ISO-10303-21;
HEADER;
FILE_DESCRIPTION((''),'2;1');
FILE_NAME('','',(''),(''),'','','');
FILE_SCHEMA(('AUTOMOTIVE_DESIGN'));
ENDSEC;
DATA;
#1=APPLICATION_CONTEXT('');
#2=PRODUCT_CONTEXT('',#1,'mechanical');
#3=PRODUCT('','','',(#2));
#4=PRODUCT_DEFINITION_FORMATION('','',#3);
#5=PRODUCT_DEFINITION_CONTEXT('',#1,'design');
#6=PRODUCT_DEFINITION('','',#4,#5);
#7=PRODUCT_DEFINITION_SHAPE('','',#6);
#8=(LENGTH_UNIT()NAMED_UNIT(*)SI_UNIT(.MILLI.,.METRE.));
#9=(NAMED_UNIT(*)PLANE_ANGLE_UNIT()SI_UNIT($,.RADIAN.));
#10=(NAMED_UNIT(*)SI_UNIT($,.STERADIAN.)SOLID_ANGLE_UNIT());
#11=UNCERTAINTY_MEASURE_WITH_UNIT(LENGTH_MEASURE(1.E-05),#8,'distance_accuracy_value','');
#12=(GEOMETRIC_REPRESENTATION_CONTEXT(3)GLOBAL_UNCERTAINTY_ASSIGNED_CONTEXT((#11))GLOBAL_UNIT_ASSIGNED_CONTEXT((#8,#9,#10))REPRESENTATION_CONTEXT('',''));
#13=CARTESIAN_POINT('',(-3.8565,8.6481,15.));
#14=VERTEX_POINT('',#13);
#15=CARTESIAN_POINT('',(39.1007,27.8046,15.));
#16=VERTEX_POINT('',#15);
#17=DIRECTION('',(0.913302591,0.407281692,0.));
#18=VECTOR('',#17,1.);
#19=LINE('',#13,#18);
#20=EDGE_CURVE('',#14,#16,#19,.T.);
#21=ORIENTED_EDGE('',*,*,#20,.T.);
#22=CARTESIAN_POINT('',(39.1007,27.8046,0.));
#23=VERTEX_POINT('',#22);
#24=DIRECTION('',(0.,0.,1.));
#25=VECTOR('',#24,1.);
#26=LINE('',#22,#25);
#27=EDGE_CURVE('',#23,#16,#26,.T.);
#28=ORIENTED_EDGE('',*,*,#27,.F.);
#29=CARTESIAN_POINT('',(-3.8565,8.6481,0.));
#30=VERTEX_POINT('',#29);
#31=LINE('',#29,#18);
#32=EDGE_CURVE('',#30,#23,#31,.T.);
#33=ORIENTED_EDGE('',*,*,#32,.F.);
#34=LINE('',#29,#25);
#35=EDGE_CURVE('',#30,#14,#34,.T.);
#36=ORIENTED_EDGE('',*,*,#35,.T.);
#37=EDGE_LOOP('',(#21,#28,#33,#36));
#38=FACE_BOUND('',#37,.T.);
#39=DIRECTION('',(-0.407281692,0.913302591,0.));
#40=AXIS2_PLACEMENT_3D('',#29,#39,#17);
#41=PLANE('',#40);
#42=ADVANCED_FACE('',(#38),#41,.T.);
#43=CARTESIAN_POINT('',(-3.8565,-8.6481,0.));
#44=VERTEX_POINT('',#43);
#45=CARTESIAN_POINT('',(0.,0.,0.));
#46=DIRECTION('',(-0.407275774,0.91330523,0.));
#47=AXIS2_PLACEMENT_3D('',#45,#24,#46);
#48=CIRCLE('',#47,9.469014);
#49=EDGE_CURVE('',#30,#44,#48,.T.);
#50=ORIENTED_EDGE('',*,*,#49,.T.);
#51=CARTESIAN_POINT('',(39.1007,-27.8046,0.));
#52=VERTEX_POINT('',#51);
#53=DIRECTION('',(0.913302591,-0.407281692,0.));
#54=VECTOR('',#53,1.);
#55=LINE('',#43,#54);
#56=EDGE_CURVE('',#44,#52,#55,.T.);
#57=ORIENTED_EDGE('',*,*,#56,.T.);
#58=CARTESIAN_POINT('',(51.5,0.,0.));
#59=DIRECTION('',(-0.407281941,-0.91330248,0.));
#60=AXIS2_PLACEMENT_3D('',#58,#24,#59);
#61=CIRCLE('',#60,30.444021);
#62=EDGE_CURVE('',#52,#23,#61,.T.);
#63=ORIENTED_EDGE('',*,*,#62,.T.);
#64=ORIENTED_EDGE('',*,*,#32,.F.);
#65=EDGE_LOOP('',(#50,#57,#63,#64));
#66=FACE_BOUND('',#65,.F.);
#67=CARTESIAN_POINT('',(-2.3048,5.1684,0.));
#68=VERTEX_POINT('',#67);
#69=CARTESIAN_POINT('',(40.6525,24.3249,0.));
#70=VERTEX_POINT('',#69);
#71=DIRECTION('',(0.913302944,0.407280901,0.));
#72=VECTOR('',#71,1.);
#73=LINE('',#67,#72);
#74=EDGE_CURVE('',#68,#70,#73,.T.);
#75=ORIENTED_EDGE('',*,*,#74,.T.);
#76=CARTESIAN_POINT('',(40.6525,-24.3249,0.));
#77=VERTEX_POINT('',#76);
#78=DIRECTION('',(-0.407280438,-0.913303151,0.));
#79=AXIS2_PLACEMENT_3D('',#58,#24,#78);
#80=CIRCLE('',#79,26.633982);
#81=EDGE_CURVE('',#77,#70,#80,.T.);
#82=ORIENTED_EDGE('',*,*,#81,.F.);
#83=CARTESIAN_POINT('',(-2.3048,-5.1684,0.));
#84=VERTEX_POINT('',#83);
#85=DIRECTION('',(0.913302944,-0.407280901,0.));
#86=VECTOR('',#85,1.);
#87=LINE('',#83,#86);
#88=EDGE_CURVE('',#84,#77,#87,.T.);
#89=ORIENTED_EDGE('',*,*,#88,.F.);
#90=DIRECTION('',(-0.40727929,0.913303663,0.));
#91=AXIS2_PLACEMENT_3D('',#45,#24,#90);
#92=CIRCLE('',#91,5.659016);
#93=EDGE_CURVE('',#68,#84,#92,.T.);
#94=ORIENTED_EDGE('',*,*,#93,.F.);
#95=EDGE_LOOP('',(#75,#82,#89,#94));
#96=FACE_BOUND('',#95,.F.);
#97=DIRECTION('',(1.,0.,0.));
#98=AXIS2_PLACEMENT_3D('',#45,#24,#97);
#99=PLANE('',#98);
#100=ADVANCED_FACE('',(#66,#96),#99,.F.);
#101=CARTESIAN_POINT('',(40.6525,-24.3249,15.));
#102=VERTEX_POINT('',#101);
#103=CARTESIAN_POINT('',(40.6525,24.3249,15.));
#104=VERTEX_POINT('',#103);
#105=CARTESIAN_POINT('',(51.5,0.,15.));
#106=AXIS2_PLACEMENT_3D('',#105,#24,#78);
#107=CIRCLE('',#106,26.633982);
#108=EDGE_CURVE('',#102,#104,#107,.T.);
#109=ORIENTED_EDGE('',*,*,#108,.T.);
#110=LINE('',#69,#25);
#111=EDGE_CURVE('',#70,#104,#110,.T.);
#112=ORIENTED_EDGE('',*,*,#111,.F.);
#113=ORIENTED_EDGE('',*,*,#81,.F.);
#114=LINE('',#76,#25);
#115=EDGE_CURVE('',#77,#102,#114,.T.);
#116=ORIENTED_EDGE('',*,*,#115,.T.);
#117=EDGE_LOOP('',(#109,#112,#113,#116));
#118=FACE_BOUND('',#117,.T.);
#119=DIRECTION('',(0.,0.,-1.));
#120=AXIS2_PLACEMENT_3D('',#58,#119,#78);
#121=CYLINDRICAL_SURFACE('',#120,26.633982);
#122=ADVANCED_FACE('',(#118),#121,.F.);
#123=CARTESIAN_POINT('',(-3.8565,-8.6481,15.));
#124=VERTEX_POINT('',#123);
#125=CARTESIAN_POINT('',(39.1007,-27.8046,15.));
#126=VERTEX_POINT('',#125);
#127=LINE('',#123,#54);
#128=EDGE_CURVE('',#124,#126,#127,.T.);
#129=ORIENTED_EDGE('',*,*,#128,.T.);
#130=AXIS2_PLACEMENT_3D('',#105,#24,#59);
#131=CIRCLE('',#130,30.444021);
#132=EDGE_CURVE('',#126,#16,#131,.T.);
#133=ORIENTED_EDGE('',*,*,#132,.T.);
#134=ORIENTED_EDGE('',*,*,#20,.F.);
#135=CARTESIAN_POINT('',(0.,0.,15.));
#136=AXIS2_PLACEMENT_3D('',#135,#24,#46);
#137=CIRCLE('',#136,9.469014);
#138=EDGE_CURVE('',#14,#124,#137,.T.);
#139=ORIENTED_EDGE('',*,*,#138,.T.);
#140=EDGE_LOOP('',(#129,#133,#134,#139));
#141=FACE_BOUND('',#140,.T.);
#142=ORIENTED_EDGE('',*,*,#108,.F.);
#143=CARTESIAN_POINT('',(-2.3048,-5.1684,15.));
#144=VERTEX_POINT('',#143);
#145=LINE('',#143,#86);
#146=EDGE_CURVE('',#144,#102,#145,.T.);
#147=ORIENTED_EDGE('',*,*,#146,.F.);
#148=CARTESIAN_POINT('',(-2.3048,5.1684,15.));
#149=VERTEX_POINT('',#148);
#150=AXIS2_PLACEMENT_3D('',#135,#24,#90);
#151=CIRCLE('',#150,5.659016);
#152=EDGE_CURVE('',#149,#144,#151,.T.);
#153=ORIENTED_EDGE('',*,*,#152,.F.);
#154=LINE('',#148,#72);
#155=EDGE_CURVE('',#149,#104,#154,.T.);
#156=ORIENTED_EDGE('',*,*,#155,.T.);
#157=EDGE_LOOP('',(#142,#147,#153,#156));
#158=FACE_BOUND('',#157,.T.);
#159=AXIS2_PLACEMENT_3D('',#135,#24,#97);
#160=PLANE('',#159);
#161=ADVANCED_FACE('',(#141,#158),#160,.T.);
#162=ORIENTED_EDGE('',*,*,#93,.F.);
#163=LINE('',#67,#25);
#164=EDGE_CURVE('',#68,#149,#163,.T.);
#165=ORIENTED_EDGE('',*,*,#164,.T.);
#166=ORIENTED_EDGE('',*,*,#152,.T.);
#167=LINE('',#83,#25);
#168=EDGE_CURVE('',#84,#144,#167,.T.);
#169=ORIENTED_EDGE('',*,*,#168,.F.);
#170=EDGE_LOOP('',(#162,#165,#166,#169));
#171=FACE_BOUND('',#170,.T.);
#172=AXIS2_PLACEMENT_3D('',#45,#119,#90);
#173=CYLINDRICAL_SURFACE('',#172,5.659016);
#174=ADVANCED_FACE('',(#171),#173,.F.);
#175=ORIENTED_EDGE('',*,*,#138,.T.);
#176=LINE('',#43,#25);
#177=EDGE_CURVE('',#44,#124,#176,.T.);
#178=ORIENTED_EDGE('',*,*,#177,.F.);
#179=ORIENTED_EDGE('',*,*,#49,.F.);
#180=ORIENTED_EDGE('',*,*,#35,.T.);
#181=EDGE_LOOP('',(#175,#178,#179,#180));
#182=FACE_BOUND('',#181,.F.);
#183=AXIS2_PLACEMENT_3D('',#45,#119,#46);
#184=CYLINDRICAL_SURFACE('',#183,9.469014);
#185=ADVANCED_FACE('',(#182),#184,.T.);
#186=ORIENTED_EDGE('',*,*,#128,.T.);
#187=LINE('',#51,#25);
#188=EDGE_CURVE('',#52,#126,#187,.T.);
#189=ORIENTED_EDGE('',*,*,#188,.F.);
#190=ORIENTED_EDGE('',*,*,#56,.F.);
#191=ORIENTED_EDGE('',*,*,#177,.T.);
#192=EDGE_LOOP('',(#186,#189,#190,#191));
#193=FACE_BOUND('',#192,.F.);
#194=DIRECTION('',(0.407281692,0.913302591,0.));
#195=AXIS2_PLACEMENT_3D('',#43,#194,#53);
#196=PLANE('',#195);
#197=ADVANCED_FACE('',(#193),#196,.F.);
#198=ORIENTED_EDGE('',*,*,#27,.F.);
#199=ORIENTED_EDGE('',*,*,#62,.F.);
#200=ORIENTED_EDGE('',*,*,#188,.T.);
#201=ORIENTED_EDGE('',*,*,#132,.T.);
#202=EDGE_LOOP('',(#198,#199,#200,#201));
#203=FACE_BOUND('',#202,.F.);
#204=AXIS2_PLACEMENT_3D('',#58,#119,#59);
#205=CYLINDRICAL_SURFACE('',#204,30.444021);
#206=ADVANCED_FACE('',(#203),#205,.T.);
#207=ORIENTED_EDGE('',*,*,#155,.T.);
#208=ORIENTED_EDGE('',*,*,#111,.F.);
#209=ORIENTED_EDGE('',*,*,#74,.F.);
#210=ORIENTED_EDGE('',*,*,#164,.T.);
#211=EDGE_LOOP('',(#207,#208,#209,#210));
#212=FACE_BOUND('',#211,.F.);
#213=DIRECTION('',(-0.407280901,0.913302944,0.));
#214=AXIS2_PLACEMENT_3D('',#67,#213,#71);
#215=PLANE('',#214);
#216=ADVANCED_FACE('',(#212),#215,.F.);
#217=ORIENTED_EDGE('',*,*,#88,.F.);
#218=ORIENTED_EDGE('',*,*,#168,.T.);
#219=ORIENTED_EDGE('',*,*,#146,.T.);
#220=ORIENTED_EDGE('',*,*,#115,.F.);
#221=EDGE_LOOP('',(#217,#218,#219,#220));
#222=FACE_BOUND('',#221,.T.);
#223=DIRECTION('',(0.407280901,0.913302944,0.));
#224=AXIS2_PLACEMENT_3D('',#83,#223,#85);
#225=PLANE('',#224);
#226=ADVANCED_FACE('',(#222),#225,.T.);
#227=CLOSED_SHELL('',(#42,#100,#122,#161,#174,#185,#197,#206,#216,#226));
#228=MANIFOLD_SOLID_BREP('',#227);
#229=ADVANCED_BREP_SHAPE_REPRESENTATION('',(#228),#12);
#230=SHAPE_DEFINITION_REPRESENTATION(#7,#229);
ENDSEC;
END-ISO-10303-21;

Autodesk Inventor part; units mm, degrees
ref_plane "YZ Plane" through (0, 0, 0) normal (1, 0, 0) x (0, 1, 0)
ref_plane "XZ Plane" through (0, 0, 0) normal (0, 1, 0) x (-1, 0, 0)
ref_plane "XY Plane" through (0, 0, 0) normal (0, 0, 1) x (1, 0, 0)
sketch "Sketch1" plane through (0, 0, 0) normal (0, 0, 1) x (1, 0, 0)
  circle A0 centre (0, 0) radius 7.26 construction
  line L0 (0, 0) -> (51.5, 0) construction
  arc A1 (-2.3048, 5.1684) -> (-2.3048, -5.1684) centre (0, 0) ccw
  arc A2 (9.469, 0) -> (4.6289, 8.2604) centre (0, 0) ccw construction
  circle A3 centre (51.5, 0) radius 28.265 construction
  arc A4 (40.6525, -24.3249) -> (40.6525, 24.3249) centre (51.5, 0) ccw
  arc A5 (21.056, 0) -> (27.1842, -18.3188) centre (51.5, 0) ccw construction
  line L1 (-3.8565, 8.6481) -> (39.1007, 27.8046)
  line L2 (-3.8565, -8.6481) -> (39.1007, -27.8046)
  line L3 (-2.3048, 5.1684) -> (40.6525, 24.3249)
  line L4 (-2.3048, -5.1684) -> (40.6525, -24.3249)
  arc A6 (24.866, 0) -> (40.6525, -24.3249) centre (51.5, 0) ccw construction
  arc A7 (40.6525, 24.3249) -> (24.866, 0) centre (51.5, 0) ccw construction
  arc A8 (5.659, 0) -> (-2.3048, 5.1684) centre (0, 0) ccw construction
  arc A9 (-2.3048, -5.1684) -> (5.659, 0) centre (0, 0) ccw construction
  arc A10 (4.6289, -8.2604) -> (9.469, 0) centre (0, 0) ccw construction
  arc A11 (4.6289, 8.2604) -> (-3.8565, 8.6481) centre (0, 0) ccw construction
  arc A12 (27.1842, 18.3188) -> (21.056, 0) centre (51.5, 0) ccw construction
  arc A13 (27.1842, -18.3188) -> (39.1007, -27.8046) centre (51.5, 0) ccw construction
  arc A14 (-3.8565, 8.6481) -> (-3.8565, -8.6481) centre (0, 0) ccw
  arc A15 (-3.8565, -8.6481) -> (4.6289, -8.2604) centre (0, 0) ccw construction
  arc A16 (39.1007, 27.8046) -> (27.1842, 18.3188) centre (51.5, 0) ccw construction
  arc A17 (39.1007, -27.8046) -> (39.1007, 27.8046) centre (51.5, 0) ccw
  dimension "d0" = 14.52
  dimension "d1" = 51.5
  dimension "d4" = 56.53
  dimension "d10" = 3.81
  dimension "d12" = 3.81
  dimension "d13" = 1.601
  dimension "d14" = 1.631
extrude "Extrusion1" add sketch "Sketch1" along normal blind 15
properties part number "Belt" material "Rubber, Silicone"
